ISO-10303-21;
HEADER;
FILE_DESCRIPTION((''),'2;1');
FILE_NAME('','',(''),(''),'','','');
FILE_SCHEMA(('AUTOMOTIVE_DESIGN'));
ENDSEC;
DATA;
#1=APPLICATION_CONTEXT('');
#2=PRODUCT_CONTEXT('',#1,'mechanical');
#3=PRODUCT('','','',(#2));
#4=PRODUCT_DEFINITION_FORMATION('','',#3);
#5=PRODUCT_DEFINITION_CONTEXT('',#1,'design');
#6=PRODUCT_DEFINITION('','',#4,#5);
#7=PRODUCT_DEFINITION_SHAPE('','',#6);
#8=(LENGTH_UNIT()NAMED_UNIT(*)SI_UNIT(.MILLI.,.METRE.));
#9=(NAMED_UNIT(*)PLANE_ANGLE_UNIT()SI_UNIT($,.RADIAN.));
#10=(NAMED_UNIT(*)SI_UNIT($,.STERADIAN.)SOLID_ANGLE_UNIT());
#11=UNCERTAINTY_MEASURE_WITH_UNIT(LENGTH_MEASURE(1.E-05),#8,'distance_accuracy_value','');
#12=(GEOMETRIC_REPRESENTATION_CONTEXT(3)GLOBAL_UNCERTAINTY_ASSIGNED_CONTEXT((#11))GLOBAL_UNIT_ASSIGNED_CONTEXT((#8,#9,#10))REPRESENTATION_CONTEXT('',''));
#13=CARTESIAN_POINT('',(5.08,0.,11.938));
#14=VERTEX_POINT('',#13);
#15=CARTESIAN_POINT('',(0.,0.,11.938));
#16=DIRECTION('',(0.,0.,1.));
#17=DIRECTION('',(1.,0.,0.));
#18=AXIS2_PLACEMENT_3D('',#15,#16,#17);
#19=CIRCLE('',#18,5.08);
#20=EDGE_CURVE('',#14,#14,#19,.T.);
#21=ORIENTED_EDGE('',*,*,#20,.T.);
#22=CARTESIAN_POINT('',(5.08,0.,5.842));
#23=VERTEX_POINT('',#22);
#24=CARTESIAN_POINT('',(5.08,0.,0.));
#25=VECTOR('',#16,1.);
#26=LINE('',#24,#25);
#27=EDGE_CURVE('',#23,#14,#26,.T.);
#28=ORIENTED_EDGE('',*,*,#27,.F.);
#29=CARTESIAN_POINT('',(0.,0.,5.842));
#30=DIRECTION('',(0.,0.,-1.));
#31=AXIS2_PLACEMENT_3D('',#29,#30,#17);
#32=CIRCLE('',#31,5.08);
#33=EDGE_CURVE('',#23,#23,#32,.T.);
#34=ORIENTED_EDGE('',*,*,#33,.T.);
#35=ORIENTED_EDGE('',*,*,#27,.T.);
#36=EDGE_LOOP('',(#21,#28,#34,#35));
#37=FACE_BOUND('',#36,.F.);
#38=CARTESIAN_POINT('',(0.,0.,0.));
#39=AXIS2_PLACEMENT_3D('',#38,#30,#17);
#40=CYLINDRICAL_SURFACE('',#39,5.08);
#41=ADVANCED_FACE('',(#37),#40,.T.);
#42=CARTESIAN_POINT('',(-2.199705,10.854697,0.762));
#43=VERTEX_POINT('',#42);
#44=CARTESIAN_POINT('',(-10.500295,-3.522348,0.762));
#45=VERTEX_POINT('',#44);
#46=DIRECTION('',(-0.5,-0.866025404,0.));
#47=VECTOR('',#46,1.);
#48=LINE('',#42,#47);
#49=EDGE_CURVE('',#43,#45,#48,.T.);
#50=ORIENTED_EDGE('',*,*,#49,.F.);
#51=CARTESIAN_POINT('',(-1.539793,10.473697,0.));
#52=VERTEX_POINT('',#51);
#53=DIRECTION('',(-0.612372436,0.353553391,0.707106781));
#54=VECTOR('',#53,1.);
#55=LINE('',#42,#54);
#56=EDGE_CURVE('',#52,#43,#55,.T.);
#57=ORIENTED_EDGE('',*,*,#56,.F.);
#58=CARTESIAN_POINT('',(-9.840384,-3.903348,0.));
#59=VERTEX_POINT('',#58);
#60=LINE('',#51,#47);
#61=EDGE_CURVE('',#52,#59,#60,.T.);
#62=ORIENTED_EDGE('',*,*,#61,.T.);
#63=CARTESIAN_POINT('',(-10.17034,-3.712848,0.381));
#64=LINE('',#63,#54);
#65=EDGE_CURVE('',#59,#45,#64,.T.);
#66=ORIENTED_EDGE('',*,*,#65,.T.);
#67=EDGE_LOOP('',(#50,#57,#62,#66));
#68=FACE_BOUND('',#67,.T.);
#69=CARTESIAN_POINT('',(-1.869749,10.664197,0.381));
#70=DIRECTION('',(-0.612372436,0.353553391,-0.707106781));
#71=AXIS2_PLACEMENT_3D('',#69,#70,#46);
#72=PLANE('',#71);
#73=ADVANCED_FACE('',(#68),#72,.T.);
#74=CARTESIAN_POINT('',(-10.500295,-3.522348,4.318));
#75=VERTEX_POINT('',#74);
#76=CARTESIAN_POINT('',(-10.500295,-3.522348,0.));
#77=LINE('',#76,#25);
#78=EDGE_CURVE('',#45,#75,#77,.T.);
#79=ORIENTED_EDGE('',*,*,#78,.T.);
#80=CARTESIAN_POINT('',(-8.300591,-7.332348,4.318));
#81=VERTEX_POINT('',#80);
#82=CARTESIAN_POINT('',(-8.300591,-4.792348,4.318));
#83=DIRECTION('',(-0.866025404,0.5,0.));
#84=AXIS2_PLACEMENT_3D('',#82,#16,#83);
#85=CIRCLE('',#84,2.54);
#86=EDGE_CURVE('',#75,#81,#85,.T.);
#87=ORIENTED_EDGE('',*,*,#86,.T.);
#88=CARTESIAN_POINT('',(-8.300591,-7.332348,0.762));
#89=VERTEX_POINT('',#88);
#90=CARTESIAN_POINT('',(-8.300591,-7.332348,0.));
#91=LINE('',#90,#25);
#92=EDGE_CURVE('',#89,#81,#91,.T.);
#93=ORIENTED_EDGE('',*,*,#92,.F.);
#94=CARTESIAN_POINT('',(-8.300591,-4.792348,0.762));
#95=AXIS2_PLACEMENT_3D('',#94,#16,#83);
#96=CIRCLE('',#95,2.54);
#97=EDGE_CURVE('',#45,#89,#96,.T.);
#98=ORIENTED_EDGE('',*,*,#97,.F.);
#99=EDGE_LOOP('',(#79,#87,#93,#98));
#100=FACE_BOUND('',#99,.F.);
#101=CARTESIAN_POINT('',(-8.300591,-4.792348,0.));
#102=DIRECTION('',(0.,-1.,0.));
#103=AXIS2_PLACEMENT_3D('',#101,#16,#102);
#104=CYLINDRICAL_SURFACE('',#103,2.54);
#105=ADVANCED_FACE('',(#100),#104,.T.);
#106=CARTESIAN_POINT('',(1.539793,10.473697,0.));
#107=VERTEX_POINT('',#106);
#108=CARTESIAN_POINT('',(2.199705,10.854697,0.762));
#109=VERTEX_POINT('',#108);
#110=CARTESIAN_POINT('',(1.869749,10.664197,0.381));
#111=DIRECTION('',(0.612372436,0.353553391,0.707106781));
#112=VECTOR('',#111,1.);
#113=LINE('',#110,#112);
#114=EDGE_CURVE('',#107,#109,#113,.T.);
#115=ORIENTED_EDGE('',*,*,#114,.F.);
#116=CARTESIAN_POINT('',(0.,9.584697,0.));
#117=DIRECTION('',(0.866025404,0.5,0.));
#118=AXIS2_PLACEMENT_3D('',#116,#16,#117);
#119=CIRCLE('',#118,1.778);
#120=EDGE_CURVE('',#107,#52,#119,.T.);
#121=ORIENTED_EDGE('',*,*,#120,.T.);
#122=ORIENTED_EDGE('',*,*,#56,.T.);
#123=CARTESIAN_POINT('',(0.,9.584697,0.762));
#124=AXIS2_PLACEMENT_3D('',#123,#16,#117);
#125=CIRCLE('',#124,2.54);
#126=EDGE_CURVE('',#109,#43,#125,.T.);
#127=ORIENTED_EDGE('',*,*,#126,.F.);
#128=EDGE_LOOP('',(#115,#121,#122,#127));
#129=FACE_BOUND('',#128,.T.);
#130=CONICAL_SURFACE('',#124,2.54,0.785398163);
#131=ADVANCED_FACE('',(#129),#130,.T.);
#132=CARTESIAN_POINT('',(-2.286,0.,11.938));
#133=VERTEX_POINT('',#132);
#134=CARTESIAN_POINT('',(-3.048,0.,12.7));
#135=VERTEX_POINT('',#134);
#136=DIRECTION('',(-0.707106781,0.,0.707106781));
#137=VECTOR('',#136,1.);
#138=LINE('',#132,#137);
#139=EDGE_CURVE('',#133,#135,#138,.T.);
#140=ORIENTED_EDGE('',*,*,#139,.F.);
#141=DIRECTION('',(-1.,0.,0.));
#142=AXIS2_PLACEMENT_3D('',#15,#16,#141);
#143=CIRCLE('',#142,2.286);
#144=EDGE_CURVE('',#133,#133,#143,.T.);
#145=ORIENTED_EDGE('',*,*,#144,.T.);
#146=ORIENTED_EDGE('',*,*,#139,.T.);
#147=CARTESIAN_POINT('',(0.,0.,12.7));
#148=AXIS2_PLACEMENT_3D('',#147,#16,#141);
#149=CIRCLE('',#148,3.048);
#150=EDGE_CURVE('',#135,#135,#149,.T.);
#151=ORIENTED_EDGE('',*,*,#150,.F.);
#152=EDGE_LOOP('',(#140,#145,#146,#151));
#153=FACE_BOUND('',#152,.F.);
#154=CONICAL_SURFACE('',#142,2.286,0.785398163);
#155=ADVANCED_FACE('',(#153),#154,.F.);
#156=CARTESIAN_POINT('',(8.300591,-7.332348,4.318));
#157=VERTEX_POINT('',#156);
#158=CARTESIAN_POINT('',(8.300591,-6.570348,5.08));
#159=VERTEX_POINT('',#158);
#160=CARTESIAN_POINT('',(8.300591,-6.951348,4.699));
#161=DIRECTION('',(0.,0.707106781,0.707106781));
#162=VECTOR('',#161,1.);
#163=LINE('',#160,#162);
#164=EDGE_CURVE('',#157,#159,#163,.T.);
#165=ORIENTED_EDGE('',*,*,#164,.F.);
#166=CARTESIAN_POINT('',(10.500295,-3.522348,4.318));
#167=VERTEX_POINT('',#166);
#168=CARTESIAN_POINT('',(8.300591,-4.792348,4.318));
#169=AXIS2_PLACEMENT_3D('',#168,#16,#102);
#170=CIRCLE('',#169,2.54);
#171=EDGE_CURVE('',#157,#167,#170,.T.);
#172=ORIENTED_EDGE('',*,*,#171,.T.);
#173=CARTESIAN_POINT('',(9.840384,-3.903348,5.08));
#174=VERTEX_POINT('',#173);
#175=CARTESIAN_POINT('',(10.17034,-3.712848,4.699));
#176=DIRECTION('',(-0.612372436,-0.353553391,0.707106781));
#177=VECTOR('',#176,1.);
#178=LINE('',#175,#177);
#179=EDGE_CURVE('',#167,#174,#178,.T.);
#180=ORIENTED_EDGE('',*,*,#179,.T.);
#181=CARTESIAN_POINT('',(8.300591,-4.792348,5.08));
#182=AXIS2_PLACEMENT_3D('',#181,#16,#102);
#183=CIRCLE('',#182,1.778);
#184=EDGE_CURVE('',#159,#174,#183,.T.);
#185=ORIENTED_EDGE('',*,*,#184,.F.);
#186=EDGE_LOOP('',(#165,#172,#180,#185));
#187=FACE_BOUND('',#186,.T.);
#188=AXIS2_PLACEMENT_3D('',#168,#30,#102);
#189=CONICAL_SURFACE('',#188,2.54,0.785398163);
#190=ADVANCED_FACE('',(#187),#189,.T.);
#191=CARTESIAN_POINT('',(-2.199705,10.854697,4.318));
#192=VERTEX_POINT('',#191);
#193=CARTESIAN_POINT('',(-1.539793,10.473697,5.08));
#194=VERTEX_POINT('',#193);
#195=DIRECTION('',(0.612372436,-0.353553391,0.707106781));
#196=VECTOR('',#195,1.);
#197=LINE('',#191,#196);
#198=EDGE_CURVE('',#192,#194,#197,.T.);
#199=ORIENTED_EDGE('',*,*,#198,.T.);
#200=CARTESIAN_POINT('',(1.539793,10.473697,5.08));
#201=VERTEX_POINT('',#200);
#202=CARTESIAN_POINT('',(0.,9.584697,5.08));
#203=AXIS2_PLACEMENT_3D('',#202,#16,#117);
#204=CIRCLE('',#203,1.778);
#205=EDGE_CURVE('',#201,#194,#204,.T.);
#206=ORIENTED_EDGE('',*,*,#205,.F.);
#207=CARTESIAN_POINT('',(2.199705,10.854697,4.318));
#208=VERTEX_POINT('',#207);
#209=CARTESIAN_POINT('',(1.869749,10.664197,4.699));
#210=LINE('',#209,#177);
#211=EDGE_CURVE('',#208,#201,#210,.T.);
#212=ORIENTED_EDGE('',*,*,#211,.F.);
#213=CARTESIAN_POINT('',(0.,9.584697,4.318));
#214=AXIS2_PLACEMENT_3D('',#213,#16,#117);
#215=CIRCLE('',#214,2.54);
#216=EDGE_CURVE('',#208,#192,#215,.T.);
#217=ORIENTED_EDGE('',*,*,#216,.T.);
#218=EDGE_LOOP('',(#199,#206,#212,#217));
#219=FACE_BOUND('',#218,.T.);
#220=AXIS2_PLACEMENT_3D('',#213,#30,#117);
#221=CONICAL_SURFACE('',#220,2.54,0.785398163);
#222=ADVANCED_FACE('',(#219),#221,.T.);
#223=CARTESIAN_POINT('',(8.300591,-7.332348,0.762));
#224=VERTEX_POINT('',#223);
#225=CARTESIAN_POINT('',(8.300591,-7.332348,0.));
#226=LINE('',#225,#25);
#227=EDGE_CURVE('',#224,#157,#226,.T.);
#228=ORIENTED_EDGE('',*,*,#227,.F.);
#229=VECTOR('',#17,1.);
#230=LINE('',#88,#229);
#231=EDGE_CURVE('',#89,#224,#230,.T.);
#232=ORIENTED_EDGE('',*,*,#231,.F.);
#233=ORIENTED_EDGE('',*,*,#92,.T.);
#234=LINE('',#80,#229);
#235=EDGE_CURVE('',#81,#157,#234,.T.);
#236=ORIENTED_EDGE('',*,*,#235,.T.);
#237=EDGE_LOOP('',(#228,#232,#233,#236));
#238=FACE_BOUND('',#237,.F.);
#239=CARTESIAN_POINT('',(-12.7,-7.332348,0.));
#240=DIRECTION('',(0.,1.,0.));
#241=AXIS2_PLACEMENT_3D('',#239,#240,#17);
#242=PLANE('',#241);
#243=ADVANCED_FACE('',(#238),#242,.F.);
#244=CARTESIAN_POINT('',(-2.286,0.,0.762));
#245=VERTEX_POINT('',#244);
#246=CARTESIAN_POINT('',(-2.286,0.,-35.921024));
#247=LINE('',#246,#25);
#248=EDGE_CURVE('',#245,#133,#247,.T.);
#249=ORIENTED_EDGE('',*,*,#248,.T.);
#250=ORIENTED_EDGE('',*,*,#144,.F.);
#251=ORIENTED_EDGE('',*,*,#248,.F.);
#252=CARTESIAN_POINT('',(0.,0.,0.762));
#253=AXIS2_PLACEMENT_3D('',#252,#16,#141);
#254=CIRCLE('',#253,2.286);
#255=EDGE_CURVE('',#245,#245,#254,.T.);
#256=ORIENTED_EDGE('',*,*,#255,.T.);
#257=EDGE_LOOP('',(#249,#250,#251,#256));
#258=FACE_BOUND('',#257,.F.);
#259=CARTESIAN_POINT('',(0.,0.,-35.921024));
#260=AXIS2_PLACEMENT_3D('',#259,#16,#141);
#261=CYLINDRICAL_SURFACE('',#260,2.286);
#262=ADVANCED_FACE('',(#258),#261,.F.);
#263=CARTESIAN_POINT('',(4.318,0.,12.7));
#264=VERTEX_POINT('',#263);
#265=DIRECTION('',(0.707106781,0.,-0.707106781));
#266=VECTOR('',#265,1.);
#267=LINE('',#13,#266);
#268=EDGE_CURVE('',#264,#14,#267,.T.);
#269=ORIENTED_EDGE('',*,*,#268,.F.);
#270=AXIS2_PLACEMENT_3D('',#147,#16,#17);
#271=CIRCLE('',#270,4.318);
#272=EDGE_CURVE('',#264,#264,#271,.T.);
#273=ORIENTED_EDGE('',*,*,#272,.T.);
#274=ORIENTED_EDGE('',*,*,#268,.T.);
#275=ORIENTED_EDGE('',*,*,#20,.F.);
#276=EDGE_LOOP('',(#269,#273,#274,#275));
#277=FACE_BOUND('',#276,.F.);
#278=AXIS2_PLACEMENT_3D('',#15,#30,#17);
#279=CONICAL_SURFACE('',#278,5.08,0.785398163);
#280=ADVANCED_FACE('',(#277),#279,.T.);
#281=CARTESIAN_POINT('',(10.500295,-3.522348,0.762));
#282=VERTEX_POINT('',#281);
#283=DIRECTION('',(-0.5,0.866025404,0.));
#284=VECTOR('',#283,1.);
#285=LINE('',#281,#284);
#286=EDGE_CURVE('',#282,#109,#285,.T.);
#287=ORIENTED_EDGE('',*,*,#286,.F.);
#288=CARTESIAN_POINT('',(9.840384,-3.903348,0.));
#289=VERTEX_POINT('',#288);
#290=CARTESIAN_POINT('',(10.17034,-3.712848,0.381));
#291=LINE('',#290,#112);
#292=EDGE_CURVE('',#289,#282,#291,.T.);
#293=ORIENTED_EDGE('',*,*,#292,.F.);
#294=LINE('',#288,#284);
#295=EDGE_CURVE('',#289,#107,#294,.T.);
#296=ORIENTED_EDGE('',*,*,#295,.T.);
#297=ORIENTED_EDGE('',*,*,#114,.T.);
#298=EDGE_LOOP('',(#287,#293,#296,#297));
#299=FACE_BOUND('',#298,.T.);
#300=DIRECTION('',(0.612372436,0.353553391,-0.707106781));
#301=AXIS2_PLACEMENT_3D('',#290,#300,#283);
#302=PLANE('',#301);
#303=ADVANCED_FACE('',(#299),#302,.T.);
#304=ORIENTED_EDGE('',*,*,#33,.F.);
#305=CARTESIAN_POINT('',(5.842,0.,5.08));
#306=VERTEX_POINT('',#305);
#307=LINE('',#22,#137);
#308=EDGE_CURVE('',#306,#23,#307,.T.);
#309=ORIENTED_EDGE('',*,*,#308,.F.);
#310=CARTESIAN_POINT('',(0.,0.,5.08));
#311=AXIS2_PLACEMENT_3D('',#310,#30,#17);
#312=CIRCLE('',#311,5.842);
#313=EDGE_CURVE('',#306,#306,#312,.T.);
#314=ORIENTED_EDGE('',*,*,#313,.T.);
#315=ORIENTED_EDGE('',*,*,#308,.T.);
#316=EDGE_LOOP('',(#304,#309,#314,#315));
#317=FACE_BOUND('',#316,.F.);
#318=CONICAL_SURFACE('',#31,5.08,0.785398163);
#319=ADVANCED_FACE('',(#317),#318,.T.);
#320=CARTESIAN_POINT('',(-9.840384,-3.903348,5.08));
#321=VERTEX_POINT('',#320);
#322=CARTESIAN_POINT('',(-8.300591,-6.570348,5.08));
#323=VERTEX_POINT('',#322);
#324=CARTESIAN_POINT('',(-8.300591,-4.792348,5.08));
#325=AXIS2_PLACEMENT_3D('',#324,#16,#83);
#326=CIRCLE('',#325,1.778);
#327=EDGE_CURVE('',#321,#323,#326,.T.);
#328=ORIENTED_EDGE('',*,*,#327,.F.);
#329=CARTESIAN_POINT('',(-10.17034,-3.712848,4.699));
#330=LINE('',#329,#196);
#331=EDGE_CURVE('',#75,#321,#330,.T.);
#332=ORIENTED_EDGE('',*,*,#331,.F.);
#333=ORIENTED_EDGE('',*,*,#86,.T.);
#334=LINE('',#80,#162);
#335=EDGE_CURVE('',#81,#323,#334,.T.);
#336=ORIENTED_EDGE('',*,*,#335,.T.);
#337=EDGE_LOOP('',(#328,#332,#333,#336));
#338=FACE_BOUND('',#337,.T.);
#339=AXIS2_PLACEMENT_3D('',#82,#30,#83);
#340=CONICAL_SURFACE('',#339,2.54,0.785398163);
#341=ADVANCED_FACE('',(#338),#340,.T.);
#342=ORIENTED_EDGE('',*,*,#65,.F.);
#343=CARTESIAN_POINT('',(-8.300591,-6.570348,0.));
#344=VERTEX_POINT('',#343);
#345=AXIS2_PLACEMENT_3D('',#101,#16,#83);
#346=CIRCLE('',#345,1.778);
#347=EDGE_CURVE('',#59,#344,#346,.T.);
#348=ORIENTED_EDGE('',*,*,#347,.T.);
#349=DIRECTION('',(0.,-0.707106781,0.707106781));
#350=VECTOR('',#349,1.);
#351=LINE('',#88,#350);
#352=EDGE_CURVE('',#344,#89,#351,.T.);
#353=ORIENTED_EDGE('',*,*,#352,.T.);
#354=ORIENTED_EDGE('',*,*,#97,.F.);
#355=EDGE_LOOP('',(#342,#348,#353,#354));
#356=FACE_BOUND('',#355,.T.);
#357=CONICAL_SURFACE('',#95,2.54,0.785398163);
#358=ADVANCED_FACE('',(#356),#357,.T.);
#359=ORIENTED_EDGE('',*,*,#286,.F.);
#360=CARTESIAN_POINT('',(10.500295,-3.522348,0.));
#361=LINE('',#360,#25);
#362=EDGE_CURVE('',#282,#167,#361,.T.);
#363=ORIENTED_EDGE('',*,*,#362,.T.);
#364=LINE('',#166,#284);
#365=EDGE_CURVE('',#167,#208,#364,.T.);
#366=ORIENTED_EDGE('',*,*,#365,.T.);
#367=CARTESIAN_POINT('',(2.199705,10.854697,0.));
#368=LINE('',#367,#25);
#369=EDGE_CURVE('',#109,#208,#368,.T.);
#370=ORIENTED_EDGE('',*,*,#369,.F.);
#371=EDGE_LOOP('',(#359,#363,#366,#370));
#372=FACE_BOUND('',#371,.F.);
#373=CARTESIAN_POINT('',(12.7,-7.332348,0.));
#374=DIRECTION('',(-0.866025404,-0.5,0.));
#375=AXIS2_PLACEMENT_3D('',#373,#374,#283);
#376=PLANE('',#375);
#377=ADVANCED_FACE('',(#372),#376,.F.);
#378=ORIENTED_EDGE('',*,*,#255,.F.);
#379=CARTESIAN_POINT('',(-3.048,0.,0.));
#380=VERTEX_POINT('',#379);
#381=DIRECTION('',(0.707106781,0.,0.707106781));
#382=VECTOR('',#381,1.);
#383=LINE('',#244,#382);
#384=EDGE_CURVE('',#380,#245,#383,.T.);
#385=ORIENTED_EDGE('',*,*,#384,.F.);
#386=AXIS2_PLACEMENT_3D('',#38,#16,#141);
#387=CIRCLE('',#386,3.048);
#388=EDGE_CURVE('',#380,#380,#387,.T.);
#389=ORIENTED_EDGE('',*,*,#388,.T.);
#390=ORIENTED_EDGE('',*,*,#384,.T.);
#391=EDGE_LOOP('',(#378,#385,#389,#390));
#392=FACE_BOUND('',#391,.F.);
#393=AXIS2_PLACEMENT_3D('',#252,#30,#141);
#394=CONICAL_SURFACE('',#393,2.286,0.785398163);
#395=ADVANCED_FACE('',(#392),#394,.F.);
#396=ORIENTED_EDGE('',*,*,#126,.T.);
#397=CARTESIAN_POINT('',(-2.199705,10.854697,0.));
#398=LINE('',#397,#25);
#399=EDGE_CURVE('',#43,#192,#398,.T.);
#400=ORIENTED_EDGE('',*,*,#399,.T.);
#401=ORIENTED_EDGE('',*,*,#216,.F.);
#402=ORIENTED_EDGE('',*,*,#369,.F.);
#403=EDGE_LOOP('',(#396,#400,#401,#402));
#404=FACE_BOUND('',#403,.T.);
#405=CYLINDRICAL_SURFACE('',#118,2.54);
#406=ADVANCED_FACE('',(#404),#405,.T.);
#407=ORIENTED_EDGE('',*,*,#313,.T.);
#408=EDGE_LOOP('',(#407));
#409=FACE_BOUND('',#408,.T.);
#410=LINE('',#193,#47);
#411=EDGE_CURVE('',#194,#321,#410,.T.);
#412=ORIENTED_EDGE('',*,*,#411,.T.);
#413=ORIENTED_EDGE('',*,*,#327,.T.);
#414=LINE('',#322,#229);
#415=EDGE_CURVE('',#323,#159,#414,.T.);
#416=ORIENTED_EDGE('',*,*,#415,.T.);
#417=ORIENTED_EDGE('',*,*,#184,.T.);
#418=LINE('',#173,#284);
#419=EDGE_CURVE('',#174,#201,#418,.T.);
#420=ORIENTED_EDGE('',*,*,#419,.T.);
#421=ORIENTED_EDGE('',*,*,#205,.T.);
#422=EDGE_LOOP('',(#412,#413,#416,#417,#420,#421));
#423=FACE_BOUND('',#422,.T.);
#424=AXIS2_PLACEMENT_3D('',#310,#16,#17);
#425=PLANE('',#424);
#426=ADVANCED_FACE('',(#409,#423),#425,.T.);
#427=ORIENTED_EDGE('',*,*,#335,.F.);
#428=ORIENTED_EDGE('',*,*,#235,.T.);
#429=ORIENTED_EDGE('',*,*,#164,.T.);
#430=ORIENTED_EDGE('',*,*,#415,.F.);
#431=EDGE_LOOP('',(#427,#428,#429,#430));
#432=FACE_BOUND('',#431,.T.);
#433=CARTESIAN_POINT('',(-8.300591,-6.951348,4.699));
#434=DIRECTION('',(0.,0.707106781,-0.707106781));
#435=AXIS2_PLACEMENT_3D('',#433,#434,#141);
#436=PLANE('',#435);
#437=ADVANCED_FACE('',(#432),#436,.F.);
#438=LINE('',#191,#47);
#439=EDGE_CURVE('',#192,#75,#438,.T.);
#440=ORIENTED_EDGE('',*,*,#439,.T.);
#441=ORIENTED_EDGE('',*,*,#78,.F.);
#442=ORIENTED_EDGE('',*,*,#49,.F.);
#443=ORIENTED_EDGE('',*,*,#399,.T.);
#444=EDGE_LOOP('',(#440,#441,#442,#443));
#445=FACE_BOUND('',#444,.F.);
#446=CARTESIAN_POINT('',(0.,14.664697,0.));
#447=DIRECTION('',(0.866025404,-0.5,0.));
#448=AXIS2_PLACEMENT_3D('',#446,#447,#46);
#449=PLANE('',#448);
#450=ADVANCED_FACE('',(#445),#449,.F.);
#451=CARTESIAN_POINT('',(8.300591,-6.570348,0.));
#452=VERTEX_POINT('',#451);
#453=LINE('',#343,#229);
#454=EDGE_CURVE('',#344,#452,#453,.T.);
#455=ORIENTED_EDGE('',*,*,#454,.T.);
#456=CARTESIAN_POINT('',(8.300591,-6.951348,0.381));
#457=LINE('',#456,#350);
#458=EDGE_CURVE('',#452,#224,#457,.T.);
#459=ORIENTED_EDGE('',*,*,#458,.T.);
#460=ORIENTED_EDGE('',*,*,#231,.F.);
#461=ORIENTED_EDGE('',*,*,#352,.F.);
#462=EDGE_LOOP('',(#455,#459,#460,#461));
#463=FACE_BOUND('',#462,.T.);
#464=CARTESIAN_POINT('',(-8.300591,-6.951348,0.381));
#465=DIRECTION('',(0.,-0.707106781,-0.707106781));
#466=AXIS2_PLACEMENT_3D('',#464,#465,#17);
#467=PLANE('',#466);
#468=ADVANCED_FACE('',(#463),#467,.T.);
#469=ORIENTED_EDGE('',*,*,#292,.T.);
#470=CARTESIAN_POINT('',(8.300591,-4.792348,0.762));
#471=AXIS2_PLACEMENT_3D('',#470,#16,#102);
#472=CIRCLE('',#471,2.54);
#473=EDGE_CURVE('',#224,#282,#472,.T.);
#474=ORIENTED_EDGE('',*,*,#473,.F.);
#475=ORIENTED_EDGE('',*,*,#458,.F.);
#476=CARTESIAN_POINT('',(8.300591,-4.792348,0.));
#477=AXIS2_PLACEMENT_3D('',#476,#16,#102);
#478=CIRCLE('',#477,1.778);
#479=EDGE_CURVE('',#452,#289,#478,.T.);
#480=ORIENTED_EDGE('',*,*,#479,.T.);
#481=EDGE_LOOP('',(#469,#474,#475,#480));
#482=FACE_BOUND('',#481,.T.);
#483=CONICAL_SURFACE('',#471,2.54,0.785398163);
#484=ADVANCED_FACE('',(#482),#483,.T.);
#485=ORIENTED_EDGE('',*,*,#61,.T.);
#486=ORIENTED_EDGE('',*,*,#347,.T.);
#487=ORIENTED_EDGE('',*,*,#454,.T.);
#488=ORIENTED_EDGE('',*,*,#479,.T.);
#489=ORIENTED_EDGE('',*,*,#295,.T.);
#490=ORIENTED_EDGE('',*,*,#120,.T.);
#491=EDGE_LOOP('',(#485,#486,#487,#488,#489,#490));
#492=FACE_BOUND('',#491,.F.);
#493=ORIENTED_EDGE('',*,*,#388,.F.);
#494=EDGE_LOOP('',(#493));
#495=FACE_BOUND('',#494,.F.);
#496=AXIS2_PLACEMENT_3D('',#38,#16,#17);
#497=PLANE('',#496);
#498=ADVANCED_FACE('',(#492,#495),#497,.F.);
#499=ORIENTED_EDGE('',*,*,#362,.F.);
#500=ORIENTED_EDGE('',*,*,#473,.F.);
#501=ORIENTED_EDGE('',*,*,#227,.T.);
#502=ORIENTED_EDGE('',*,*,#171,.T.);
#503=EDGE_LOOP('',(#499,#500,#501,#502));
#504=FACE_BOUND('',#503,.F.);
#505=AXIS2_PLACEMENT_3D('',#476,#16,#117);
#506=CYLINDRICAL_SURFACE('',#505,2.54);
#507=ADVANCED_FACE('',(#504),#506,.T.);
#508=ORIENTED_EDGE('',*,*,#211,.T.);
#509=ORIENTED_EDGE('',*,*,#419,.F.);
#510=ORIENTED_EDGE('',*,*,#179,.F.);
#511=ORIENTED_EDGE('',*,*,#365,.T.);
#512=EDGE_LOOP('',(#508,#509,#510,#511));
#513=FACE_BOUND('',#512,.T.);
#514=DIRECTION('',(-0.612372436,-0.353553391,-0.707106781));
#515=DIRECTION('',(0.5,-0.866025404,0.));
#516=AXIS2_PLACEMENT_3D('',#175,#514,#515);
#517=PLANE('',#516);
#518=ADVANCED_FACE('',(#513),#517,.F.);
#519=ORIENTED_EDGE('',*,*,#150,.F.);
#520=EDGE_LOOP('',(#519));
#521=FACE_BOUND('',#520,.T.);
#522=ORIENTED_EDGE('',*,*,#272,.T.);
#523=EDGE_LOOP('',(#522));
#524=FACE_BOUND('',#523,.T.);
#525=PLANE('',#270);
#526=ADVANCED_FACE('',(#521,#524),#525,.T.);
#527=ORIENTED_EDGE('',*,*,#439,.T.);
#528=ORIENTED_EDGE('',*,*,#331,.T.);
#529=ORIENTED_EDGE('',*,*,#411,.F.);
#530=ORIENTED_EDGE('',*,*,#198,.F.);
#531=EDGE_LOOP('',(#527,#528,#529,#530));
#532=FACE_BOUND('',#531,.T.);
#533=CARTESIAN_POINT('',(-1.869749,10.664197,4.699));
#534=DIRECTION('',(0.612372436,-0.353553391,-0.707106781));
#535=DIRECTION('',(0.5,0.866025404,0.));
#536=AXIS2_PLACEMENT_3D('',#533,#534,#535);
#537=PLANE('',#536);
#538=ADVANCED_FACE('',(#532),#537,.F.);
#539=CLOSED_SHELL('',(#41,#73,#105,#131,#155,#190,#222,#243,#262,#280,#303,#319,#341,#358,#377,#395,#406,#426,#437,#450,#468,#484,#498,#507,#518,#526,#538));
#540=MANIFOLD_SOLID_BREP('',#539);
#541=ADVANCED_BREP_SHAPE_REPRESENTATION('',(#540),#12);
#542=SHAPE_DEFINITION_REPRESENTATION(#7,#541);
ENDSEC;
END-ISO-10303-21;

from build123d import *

# Parameters (mm, degrees)
F1_DEPTH = 5.08
F2_R     = 5.08
F3_DEPTH = 12.7
F4_D     = 4.572
F5_R     = 2.54
F6_SIZE  = 0.762


with BuildPart() as f1:
    # F0 (on Top) → F1 (new body)
    with BuildSketch(Plane.XY):
        Polygon((12.7, -7.3323484187), (0, 14.6646968374), (-12.7, -7.3323484187), align=None)
    extrude(amount=F1_DEPTH)

    # F2 (on Top) → F3 (join)
    with BuildSketch(Plane.XY):
        Circle(F2_R)
    extrude(amount=F3_DEPTH)

    # F4 (through all)
    with Locations(Plane(origin=(0, 0, 0), x_dir=(1, 0, 0), z_dir=(0, 0, -1))):
        with Locations((0, 0)):
            Hole(F4_D / 2)

    # F5
    f5_edges = [f1.edges().sort_by_distance(p)[0] for p in [
        (-12.7, -7.332348, 2.54),
        (12.7, -7.332348, 2.54),
        (0, 14.664697, 2.54),
    ]]
    fillet(f5_edges, radius=F5_R)

    # F6
    f6_edges = [f1.edges().sort_by_distance(p)[0] for p in [
        (6.35, 3.666174, 0),
        (10.500295, -6.062348, 0),
        (0, 12.124697, 0),
        (0, -7.332348, 0),
        (-6.35, 3.666174, 0),
        (-10.500295, -6.062348, 0),
        (-2.286, 0, 0),
        (-5.08, 0, 12.7),
        (-2.286, 0, 12.7),
        (6.35, 3.666174, 5.08),
        (10.500295, -6.062348, 5.08),
        (0, 12.124697, 5.08),
        (0, -7.332348, 5.08),
        (-6.35, 3.666174, 5.08),
        (-10.500295, -6.062348, 5.08),
        (-5.08, 0, 5.08),
    ]]
    chamfer(f6_edges, length=F6_SIZE)


solid = f1.part
